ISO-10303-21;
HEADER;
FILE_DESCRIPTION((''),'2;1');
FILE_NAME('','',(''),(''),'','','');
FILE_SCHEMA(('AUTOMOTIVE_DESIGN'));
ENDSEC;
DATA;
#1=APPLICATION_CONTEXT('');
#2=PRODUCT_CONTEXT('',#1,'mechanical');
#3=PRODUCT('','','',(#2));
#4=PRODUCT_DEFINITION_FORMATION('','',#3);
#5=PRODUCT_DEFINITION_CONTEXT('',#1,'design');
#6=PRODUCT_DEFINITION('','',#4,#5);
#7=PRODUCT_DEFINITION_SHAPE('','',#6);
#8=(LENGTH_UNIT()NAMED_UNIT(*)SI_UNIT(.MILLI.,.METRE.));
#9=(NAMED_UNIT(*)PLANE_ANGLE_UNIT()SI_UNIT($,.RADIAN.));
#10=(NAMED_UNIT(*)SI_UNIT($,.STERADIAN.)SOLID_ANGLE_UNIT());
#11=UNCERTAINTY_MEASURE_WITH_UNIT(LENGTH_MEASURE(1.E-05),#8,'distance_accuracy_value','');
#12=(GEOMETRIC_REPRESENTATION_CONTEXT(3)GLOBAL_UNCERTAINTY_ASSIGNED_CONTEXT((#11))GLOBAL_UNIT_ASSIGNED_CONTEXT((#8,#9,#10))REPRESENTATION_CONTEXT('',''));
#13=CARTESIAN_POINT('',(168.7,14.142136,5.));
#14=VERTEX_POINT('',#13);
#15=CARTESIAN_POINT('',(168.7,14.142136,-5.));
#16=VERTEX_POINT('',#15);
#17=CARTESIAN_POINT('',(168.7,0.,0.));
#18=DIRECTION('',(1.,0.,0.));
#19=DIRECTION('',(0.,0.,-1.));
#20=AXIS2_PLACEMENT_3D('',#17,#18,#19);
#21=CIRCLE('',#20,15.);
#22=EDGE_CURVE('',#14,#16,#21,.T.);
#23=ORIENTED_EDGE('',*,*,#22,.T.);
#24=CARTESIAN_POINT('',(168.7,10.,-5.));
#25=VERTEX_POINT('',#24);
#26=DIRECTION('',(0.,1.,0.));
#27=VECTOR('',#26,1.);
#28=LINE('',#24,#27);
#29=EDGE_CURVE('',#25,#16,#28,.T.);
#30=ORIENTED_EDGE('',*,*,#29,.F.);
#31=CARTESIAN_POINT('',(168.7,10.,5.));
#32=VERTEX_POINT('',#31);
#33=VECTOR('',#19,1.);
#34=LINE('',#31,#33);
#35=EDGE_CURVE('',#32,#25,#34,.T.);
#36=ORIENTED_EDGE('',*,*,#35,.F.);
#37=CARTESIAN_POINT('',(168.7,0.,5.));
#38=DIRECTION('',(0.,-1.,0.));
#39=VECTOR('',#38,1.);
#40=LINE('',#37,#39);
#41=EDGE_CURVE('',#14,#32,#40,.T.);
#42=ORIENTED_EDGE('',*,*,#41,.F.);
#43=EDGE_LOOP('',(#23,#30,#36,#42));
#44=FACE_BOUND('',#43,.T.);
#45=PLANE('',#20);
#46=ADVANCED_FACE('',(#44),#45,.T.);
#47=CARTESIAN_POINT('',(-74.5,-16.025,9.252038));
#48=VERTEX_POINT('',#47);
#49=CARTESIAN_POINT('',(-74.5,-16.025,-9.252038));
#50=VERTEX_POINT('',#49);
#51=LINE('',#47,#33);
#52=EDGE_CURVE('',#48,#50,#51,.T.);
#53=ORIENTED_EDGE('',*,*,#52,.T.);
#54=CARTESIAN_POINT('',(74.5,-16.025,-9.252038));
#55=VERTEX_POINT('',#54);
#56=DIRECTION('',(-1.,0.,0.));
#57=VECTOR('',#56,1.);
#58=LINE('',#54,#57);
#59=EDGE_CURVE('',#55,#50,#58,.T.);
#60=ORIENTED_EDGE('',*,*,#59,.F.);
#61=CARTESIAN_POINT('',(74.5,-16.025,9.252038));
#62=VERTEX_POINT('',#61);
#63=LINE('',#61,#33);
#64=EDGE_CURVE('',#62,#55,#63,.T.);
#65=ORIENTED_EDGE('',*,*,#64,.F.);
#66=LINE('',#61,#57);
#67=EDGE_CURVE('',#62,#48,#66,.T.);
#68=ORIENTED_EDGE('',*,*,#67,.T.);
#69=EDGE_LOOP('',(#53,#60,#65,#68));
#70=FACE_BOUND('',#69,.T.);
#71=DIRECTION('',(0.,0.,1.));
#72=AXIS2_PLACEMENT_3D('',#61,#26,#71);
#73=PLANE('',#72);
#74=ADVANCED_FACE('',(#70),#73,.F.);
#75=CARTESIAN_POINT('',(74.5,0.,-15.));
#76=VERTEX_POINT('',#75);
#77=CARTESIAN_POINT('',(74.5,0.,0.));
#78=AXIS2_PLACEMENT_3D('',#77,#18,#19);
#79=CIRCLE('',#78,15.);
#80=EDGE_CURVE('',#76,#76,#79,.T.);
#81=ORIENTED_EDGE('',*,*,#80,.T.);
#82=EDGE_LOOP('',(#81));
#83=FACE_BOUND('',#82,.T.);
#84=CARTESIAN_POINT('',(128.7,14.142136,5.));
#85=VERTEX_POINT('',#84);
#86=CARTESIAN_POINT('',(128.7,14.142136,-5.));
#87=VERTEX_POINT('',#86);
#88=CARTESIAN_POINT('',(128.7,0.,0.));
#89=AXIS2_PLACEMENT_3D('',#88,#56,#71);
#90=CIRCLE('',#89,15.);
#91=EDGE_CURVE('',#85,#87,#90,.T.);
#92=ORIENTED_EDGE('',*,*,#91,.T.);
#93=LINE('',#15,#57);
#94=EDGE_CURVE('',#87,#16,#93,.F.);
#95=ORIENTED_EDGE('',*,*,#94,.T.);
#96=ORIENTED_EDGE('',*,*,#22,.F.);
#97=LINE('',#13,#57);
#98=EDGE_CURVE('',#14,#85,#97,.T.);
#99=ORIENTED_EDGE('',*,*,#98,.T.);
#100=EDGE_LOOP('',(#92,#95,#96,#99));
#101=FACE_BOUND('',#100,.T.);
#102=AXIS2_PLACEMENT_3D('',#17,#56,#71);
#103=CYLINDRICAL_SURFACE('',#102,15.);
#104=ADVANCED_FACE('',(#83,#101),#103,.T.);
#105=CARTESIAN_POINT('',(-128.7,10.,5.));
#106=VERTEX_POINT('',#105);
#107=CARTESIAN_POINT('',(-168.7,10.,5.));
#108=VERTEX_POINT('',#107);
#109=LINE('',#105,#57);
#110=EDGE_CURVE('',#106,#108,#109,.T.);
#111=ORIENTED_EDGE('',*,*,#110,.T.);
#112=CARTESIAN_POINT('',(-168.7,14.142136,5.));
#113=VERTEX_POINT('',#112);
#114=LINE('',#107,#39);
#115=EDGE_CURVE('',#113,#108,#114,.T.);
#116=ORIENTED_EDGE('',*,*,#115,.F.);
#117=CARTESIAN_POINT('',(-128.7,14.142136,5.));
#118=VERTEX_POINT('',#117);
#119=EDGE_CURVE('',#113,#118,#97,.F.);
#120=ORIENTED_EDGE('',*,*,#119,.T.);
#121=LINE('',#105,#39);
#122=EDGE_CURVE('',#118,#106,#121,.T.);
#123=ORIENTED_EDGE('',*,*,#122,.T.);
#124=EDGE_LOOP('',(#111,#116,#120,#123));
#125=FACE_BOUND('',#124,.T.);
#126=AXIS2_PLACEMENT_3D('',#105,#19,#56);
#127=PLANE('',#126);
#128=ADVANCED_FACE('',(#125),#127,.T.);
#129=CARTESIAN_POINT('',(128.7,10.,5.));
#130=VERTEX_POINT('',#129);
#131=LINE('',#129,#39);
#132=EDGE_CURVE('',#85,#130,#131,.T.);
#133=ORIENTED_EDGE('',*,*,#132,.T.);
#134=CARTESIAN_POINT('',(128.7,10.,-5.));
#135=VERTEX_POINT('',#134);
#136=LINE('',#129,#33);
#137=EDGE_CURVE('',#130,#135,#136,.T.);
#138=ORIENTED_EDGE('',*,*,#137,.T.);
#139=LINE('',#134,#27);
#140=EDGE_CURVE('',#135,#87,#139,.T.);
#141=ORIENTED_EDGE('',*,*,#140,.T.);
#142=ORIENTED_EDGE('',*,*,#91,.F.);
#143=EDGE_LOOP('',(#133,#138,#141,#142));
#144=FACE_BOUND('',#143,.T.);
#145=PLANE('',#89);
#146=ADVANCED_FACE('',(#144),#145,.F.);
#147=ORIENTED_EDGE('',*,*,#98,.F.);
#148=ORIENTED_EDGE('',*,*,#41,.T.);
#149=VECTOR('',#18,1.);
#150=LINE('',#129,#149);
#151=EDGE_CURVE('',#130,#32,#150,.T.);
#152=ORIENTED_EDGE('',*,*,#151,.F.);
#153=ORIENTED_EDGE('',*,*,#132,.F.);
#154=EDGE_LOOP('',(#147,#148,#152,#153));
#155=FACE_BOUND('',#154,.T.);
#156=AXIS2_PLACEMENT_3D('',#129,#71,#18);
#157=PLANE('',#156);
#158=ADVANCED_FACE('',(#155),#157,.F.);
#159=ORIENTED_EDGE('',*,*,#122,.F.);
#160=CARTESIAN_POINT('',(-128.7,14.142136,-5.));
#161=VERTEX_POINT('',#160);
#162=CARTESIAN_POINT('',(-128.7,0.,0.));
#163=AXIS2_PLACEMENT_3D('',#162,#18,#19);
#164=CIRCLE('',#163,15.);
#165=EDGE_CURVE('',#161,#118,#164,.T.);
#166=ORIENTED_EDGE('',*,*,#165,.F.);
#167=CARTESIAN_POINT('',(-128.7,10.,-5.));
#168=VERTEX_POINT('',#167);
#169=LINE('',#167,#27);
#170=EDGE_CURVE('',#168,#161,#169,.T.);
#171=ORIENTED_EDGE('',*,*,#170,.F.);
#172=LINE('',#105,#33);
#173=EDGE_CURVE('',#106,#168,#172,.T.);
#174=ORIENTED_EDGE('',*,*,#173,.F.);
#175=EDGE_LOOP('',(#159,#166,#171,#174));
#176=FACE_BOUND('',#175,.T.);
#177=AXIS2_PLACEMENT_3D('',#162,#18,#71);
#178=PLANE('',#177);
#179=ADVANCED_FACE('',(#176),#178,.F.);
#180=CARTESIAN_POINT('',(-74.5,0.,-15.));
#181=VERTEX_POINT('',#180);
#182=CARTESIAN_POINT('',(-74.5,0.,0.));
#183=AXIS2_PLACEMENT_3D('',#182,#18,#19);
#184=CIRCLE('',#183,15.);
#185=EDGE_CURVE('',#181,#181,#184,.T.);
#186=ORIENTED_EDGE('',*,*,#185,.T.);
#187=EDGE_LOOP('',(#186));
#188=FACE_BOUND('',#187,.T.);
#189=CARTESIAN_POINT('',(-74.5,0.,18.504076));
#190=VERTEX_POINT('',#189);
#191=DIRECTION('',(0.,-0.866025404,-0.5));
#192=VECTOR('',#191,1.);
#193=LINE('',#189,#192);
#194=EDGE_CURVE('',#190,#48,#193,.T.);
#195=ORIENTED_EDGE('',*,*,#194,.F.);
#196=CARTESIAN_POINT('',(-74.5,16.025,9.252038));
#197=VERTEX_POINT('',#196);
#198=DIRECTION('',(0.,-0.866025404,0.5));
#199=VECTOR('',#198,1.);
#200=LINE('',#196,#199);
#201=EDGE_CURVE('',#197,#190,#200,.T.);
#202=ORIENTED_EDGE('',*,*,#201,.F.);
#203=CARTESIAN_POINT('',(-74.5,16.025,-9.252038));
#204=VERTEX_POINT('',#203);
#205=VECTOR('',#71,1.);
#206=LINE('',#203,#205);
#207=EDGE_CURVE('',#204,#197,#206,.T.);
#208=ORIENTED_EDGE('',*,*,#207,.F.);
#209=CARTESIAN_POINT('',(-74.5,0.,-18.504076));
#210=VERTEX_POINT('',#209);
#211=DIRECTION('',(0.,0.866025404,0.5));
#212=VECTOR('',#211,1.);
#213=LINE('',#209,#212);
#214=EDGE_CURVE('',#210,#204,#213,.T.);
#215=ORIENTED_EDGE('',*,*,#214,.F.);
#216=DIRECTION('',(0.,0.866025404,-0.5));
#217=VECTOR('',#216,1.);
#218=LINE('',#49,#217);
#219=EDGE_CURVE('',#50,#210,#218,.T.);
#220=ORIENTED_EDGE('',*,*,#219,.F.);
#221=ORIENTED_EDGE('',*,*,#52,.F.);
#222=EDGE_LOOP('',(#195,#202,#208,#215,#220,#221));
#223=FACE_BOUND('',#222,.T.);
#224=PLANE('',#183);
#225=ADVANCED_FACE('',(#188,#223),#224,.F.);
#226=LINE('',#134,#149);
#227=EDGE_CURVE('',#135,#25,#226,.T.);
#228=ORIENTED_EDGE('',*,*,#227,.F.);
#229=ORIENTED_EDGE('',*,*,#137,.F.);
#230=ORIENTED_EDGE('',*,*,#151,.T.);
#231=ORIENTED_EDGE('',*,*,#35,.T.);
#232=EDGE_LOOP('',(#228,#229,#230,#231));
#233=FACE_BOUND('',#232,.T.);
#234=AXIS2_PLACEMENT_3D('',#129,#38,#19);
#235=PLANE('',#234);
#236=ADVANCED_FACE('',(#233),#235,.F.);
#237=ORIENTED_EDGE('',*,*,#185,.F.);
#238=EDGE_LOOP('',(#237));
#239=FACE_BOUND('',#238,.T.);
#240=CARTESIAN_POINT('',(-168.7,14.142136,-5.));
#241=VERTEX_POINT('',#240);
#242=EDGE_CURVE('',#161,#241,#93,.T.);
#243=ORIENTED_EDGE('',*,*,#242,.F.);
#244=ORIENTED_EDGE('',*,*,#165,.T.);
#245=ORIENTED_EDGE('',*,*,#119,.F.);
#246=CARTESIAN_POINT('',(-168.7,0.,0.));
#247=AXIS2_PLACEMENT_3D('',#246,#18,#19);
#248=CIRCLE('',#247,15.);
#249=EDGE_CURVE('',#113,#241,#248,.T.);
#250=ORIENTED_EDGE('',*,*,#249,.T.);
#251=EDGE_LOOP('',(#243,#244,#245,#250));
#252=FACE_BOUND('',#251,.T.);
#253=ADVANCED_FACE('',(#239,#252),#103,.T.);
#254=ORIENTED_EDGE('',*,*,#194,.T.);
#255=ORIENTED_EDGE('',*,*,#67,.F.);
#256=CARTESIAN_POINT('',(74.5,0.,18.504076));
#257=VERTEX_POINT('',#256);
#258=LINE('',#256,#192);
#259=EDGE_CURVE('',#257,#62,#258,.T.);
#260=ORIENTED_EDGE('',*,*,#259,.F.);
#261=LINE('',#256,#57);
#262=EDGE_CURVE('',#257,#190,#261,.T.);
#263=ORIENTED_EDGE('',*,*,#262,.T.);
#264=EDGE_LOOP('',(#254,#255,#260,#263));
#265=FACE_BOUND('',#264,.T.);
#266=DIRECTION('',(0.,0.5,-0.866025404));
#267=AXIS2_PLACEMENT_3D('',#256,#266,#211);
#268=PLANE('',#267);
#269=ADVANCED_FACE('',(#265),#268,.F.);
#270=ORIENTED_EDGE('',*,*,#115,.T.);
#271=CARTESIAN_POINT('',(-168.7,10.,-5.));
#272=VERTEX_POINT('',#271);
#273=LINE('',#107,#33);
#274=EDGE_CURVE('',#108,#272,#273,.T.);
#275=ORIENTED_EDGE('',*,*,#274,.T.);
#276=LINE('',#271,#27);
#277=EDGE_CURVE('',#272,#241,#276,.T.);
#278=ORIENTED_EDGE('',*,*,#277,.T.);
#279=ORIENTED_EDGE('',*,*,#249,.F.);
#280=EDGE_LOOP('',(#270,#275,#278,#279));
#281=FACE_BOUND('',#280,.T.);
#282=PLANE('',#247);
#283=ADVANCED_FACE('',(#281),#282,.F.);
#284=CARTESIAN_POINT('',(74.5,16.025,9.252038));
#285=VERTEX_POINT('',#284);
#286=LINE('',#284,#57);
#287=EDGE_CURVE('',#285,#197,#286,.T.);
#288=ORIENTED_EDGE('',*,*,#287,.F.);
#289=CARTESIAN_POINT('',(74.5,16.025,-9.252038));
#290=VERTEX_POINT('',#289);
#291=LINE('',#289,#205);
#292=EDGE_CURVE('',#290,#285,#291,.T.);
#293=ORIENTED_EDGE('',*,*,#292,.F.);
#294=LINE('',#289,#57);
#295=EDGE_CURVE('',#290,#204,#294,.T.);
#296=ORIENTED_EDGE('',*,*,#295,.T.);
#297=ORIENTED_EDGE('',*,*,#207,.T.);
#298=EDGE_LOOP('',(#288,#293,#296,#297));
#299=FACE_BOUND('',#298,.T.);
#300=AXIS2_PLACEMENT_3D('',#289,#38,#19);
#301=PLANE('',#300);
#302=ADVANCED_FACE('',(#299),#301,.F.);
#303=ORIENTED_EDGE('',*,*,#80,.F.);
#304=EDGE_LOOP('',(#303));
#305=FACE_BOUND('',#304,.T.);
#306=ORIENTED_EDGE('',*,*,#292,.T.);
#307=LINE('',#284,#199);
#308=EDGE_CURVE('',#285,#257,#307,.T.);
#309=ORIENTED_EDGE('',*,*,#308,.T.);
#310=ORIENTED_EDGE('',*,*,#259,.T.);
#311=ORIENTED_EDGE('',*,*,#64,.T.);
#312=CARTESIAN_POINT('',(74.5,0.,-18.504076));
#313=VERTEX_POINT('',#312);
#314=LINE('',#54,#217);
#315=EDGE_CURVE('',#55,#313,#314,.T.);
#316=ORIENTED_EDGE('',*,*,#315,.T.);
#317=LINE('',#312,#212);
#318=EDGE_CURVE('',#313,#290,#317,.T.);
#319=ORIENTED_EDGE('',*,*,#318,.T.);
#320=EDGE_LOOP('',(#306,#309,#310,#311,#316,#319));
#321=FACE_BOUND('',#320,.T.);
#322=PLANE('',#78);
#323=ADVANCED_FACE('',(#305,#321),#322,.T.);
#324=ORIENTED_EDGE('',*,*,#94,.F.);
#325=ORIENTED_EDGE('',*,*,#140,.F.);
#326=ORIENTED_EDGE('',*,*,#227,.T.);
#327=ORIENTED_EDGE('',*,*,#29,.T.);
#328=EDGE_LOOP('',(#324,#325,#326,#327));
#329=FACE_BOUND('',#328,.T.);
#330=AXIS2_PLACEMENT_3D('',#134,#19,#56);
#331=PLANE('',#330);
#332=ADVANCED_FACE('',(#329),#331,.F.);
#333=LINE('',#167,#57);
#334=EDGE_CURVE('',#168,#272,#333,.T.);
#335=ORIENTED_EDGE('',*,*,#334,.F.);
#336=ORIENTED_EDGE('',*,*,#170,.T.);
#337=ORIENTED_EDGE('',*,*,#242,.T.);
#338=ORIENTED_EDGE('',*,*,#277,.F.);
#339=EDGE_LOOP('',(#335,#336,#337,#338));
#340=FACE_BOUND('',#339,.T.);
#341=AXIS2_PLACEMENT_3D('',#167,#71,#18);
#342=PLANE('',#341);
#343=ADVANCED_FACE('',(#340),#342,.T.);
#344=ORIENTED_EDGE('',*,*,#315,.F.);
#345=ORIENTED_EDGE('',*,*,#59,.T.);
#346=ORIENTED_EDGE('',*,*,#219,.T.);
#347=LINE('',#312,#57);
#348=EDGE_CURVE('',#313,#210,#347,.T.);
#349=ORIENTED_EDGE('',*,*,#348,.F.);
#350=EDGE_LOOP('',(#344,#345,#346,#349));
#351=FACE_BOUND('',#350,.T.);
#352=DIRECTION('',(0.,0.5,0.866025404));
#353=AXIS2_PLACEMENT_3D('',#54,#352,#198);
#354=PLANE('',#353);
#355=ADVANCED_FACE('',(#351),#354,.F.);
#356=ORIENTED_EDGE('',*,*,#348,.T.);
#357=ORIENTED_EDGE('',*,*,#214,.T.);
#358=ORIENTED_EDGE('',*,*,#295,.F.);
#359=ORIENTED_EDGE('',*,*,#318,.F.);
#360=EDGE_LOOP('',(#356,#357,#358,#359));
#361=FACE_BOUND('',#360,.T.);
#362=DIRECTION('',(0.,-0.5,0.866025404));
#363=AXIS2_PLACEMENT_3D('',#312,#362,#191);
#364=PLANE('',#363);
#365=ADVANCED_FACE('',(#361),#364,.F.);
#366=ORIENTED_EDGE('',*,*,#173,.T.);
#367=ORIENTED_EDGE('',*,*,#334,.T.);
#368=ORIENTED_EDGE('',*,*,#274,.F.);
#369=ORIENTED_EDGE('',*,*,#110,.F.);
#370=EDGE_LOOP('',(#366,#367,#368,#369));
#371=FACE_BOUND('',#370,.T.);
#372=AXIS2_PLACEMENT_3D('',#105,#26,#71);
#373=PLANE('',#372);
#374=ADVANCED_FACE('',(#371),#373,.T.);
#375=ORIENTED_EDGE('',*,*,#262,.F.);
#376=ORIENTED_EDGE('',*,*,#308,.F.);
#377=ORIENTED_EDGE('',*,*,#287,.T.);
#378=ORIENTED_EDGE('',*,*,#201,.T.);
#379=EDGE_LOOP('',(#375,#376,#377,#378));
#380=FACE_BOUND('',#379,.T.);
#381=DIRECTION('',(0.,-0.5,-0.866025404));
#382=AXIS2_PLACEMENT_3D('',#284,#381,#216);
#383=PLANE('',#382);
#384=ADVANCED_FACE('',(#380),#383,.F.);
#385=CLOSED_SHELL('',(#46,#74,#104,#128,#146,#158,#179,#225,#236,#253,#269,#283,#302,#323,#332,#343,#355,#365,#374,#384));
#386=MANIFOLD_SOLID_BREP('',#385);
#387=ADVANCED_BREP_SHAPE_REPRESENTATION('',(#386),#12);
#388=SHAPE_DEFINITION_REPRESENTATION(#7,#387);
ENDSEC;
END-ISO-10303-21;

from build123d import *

# Parameters (mm, degrees)
SKETCH1_R           = 15
BOSS_EXTRUDE2_DEPTH = 168.7
BOSS_EXTRUDE3_DEPTH = 74.5
SKETCH3_W           = 10
SKETCH3_H           = 10
CUT_EXTRUDE1_DEPTH  = 40


with BuildPart() as part:
    # Sketch1 → Boss-Extrude2 (new, symmetric)
    with BuildSketch(Plane(origin=(0, 0, 0), x_dir=(0, 0, -1), z_dir=(1, 0, 0))):
        Circle(SKETCH1_R)
    extrude(amount=BOSS_EXTRUDE2_DEPTH, both=True)

    # Sketch2 → Boss-Extrude3 (add, symmetric)
    with BuildSketch(Plane(origin=(0, 0, 0), x_dir=(0, 0, -1), z_dir=(1, 0, 0))):
        Polygon((-18.504076128, 0), (-9.252038064, -16.025), (9.252038064, -16.025), (18.504076128, 0), (9.252038064, 16.025), (-9.252038064, 16.025), align=None)
    extrude(amount=BOSS_EXTRUDE3_DEPTH, both=True)

    # Sketch3 → Cut-Extrude1 (cut)
    with BuildSketch(Plane(origin=(168.7, 0, 0), x_dir=(0, 0, -1), z_dir=(1, 0, 0))):
        with Locations((0, 15)):
            Rectangle(SKETCH3_W, SKETCH3_H)
    cut_extrude1 = extrude(amount=-CUT_EXTRUDE1_DEPTH, mode=Mode.SUBTRACT)

    # Mirror1: Cut-Extrude1 across plane
    add(cut_extrude1.mirror(Plane(origin=(0, 0, 0), x_dir=(0, 0, 1), z_dir=(1, 0, 0))), mode=Mode.SUBTRACT)


solid = part.part
